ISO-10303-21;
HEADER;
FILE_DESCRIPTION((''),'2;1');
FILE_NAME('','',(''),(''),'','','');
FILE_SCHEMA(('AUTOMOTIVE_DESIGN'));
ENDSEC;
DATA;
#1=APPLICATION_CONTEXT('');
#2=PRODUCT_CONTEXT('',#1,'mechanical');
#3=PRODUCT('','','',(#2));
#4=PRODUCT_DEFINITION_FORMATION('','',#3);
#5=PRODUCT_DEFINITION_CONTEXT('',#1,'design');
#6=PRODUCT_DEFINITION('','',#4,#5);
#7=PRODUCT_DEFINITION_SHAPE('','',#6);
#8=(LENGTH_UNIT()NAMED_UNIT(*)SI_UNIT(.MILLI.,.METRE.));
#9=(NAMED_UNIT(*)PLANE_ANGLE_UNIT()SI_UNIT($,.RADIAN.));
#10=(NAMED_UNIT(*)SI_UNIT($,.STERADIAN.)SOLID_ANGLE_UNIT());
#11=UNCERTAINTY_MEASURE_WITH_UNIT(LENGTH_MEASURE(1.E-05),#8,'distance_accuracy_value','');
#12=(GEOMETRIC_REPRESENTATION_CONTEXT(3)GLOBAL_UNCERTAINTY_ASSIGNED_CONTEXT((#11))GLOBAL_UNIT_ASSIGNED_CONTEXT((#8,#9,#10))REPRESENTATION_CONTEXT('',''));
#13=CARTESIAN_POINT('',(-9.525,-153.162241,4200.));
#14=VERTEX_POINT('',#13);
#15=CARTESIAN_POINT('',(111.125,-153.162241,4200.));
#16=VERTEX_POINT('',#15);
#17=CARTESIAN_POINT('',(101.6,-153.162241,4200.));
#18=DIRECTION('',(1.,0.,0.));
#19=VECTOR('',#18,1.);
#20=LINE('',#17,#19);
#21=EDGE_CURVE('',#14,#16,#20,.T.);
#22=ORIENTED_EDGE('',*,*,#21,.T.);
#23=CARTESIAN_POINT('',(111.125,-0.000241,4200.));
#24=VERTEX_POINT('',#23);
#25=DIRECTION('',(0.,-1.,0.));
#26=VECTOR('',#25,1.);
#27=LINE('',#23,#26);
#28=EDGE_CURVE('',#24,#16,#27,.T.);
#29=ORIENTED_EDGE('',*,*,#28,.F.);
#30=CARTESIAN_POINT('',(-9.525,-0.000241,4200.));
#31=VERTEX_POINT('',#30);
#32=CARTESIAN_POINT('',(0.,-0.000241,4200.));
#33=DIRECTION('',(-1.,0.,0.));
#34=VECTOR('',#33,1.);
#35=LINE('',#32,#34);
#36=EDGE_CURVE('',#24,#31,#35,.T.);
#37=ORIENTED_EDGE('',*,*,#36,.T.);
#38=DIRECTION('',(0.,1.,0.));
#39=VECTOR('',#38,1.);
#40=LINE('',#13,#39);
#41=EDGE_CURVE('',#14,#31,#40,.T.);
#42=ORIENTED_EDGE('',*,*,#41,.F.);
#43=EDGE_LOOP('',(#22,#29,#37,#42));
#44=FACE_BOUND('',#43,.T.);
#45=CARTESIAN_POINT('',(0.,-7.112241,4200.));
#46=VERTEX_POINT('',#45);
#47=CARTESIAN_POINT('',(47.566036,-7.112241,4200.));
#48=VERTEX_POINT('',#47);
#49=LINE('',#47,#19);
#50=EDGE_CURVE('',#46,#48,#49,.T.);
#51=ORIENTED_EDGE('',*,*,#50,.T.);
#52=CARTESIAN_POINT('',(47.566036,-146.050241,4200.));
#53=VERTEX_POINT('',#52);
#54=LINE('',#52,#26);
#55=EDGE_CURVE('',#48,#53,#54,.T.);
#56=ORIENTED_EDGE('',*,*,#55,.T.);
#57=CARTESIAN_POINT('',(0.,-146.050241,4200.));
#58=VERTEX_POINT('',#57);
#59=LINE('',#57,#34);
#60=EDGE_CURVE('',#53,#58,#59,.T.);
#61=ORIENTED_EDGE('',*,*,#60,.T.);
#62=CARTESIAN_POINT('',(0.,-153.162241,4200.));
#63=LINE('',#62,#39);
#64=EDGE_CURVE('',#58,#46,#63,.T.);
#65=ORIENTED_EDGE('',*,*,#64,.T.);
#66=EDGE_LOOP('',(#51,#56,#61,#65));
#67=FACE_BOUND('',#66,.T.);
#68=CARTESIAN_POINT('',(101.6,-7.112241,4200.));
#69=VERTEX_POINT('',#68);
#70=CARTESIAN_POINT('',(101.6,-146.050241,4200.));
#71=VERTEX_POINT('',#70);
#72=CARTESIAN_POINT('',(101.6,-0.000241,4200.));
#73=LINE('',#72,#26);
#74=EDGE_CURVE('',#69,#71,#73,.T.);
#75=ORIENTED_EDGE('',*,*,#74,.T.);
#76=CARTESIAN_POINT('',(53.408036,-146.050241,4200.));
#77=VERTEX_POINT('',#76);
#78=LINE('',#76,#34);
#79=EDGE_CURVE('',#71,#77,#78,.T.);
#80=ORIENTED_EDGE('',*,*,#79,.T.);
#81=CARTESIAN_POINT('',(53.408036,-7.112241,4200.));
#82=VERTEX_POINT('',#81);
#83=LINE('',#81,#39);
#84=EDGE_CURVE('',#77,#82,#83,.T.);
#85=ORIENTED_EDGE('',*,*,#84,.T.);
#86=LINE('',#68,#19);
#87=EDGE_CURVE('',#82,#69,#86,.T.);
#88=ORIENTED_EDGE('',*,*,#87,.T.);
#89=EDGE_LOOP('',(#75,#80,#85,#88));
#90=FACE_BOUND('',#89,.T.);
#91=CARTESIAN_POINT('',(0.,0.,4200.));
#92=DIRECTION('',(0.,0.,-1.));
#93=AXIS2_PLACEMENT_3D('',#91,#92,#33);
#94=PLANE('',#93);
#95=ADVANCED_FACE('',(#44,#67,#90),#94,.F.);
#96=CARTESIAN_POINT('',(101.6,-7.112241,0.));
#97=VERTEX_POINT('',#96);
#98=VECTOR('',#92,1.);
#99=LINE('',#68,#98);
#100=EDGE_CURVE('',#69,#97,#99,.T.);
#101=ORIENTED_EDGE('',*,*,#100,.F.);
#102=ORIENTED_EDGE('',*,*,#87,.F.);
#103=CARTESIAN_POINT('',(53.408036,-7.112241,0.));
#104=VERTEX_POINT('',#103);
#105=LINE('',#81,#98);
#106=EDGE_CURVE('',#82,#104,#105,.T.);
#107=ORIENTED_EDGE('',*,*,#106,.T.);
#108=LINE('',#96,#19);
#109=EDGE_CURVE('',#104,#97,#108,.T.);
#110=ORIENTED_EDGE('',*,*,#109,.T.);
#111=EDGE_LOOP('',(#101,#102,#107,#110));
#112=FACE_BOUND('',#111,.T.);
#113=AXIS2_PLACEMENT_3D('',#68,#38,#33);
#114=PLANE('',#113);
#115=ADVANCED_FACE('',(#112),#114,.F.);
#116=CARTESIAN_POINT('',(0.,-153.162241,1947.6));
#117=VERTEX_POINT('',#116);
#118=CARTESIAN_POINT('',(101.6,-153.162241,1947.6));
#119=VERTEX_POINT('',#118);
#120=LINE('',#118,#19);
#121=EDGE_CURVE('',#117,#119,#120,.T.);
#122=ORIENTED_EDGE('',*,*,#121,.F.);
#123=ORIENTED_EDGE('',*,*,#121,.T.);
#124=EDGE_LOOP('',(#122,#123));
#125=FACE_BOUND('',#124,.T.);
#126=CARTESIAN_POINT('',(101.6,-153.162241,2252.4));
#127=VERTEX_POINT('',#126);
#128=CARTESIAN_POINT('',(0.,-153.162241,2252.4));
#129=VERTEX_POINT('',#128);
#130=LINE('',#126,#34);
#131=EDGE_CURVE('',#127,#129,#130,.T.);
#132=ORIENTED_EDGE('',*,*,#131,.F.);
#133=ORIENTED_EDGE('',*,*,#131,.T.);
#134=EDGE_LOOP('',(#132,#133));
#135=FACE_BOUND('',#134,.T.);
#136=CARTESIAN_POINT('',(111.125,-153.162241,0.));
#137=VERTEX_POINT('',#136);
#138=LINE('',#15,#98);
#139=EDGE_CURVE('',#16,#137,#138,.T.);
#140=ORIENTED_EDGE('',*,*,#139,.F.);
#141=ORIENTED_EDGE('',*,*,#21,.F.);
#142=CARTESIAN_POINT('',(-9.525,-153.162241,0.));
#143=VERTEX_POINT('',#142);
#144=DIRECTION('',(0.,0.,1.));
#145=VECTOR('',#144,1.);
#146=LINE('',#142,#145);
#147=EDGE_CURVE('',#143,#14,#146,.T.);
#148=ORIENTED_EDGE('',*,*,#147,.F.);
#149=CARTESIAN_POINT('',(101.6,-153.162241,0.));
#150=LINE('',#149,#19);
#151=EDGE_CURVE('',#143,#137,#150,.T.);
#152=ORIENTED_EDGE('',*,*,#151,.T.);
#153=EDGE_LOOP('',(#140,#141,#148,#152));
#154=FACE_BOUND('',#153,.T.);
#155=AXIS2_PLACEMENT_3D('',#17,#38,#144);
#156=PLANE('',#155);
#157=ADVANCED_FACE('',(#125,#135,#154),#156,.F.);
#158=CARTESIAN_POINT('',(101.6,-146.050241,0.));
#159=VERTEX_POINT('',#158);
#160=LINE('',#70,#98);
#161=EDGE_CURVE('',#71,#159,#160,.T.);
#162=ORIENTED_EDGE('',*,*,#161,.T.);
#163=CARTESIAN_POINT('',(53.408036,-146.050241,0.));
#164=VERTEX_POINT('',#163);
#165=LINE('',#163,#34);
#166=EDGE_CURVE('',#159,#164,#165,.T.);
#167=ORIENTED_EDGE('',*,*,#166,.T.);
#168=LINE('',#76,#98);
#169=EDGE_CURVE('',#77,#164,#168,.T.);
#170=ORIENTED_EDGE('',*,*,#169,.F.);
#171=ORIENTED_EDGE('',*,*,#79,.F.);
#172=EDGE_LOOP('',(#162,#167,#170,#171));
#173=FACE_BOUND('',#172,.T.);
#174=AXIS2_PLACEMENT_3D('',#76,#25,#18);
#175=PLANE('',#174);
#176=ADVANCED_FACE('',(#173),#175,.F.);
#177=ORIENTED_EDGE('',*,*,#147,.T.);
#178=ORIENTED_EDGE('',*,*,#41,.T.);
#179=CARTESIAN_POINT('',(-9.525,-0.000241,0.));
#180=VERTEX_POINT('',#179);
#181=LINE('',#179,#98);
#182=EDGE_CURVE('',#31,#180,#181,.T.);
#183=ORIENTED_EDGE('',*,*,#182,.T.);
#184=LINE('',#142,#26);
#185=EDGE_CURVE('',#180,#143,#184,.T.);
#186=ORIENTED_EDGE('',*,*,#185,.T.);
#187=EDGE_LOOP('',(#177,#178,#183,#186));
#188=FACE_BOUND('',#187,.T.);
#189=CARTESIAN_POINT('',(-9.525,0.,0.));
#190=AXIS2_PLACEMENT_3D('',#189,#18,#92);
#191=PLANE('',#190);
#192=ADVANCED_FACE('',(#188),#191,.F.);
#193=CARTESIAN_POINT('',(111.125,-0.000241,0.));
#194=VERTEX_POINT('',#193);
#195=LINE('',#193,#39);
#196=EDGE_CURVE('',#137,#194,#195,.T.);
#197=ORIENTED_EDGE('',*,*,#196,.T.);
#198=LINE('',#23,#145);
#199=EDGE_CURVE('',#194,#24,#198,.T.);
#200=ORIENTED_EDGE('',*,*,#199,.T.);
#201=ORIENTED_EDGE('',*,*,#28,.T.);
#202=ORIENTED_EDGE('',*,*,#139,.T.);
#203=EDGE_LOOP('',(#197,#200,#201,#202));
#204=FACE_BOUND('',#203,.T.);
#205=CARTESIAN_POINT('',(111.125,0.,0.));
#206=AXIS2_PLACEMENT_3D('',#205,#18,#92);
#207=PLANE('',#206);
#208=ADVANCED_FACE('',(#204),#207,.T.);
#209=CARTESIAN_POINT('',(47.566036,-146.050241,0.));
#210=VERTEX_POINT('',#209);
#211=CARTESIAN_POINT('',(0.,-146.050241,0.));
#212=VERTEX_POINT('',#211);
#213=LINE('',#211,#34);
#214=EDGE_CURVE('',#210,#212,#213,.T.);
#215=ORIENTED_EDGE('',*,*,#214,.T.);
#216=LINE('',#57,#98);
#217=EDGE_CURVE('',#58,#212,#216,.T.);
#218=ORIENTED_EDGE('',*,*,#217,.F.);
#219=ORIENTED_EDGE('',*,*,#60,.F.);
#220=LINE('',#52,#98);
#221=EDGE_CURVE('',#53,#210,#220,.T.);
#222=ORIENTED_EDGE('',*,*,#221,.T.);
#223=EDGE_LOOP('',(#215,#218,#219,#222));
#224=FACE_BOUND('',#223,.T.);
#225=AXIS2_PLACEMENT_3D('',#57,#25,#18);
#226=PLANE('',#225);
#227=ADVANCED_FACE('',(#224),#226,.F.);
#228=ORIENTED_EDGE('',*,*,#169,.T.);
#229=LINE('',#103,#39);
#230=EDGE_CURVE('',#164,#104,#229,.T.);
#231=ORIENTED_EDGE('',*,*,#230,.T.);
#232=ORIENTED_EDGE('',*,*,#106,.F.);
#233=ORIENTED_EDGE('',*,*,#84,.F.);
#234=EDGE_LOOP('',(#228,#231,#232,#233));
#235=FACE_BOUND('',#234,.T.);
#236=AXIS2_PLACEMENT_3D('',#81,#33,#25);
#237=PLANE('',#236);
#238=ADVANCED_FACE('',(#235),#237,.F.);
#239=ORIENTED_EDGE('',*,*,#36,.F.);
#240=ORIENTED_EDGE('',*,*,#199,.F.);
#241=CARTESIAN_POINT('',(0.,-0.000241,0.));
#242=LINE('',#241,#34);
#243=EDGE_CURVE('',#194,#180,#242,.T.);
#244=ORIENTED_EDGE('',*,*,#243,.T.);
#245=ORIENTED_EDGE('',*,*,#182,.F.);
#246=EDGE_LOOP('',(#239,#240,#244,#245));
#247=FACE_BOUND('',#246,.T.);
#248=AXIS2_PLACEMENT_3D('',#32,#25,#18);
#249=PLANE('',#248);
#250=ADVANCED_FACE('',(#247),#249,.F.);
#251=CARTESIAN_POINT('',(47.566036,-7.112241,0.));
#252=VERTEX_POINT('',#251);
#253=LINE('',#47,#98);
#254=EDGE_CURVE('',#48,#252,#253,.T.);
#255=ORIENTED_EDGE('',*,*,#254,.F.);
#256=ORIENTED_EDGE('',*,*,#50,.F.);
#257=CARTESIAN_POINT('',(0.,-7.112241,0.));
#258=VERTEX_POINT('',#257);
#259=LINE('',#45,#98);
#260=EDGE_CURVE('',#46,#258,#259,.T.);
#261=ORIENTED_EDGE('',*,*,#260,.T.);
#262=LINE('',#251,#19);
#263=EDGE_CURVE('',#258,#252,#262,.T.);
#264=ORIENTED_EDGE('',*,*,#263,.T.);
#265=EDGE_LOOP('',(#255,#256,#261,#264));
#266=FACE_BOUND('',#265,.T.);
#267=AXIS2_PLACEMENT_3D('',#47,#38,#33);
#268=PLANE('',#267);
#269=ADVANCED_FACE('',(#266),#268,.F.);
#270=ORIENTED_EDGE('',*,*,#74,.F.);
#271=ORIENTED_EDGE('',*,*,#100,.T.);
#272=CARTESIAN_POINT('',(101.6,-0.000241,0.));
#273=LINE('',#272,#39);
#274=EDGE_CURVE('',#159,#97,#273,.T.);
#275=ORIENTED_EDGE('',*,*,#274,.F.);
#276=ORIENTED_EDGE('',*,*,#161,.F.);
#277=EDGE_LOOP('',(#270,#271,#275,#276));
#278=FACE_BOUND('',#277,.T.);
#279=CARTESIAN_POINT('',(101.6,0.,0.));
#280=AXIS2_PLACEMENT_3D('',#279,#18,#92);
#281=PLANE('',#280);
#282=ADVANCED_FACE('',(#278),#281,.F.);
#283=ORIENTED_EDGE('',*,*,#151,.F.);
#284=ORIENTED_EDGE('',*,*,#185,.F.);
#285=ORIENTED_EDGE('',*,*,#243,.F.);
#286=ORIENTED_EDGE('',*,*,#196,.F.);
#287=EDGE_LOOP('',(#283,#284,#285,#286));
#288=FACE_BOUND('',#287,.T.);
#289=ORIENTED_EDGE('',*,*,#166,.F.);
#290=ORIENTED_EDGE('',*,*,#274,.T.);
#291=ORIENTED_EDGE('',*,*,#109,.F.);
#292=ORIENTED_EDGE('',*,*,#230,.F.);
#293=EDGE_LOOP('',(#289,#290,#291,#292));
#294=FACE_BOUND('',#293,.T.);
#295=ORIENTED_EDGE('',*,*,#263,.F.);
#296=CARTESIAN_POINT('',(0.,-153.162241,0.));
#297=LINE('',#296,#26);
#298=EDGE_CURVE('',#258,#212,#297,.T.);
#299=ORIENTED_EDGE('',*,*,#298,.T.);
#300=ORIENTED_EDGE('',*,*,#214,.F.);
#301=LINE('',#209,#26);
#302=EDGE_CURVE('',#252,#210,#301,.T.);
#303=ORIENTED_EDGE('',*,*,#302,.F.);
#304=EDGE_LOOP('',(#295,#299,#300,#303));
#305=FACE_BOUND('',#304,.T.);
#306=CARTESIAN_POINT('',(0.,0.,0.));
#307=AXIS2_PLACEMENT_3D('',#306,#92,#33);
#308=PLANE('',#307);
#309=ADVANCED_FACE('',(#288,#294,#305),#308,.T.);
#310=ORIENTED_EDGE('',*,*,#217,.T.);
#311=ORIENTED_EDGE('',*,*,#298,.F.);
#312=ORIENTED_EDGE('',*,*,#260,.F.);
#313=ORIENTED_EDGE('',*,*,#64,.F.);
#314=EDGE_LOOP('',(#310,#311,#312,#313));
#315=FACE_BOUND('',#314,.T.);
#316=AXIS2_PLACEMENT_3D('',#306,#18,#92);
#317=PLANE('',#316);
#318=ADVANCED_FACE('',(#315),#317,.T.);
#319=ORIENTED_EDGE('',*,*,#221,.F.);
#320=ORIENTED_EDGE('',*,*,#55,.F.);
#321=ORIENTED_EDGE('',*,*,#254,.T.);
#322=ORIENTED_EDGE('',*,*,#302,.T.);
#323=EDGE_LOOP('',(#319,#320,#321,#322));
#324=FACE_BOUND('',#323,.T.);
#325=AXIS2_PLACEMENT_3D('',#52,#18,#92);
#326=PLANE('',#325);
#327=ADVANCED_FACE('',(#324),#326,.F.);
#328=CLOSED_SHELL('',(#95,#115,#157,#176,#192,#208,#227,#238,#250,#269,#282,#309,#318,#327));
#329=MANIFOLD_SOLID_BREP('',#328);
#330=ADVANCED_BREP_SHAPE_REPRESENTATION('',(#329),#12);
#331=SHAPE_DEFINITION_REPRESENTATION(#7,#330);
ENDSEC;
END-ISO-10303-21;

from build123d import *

# Parameters (mm, degrees)
BOSS_EXTRUDE1_DEPTH = 4200
SKETCH3_W           = 4200
SKETCH3_H           = 153.162
BOSS_EXTRUDE2_DEPTH = 9.525
SKETCH4_W           = 4200
SKETCH4_H           = 153.162
BOSS_EXTRUDE3_DEPTH = 9.525


with BuildPart() as part:
    # Sketch1 → Boss-Extrude1 (new body)
    with BuildSketch(Plane.XY):
        Polygon((0, -0.000240533), (101.6, -0.000240533), (101.6, -7.112240533), (53.408035714, -7.112240533), (53.408035714, -146.050240533), (101.6, -146.050240533), (101.6, -153.162240533), (0, -153.162240533), (0, -146.050240533), (47.566035714, -146.050240533), (47.566035714, -7.112240533), (0, -7.112240533), align=None)
    extrude(amount=BOSS_EXTRUDE1_DEPTH)

    # Sketch3 → Boss-Extrude2 (add)
    with BuildSketch(Plane(origin=(101.6, 0, 0), x_dir=(0, 0, -1), z_dir=(1, 0, 0))):
        with Locations((-2100, -76.581240533)):
            Rectangle(SKETCH3_W, SKETCH3_H)
    extrude(amount=BOSS_EXTRUDE2_DEPTH)

    # Sketch4 → Boss-Extrude3 (add)
    with BuildSketch(Plane.ZY):
        with Locations((2100, -76.581240533)):
            Rectangle(SKETCH4_W, SKETCH4_H)
    extrude(amount=BOSS_EXTRUDE3_DEPTH)


solid = part.part
